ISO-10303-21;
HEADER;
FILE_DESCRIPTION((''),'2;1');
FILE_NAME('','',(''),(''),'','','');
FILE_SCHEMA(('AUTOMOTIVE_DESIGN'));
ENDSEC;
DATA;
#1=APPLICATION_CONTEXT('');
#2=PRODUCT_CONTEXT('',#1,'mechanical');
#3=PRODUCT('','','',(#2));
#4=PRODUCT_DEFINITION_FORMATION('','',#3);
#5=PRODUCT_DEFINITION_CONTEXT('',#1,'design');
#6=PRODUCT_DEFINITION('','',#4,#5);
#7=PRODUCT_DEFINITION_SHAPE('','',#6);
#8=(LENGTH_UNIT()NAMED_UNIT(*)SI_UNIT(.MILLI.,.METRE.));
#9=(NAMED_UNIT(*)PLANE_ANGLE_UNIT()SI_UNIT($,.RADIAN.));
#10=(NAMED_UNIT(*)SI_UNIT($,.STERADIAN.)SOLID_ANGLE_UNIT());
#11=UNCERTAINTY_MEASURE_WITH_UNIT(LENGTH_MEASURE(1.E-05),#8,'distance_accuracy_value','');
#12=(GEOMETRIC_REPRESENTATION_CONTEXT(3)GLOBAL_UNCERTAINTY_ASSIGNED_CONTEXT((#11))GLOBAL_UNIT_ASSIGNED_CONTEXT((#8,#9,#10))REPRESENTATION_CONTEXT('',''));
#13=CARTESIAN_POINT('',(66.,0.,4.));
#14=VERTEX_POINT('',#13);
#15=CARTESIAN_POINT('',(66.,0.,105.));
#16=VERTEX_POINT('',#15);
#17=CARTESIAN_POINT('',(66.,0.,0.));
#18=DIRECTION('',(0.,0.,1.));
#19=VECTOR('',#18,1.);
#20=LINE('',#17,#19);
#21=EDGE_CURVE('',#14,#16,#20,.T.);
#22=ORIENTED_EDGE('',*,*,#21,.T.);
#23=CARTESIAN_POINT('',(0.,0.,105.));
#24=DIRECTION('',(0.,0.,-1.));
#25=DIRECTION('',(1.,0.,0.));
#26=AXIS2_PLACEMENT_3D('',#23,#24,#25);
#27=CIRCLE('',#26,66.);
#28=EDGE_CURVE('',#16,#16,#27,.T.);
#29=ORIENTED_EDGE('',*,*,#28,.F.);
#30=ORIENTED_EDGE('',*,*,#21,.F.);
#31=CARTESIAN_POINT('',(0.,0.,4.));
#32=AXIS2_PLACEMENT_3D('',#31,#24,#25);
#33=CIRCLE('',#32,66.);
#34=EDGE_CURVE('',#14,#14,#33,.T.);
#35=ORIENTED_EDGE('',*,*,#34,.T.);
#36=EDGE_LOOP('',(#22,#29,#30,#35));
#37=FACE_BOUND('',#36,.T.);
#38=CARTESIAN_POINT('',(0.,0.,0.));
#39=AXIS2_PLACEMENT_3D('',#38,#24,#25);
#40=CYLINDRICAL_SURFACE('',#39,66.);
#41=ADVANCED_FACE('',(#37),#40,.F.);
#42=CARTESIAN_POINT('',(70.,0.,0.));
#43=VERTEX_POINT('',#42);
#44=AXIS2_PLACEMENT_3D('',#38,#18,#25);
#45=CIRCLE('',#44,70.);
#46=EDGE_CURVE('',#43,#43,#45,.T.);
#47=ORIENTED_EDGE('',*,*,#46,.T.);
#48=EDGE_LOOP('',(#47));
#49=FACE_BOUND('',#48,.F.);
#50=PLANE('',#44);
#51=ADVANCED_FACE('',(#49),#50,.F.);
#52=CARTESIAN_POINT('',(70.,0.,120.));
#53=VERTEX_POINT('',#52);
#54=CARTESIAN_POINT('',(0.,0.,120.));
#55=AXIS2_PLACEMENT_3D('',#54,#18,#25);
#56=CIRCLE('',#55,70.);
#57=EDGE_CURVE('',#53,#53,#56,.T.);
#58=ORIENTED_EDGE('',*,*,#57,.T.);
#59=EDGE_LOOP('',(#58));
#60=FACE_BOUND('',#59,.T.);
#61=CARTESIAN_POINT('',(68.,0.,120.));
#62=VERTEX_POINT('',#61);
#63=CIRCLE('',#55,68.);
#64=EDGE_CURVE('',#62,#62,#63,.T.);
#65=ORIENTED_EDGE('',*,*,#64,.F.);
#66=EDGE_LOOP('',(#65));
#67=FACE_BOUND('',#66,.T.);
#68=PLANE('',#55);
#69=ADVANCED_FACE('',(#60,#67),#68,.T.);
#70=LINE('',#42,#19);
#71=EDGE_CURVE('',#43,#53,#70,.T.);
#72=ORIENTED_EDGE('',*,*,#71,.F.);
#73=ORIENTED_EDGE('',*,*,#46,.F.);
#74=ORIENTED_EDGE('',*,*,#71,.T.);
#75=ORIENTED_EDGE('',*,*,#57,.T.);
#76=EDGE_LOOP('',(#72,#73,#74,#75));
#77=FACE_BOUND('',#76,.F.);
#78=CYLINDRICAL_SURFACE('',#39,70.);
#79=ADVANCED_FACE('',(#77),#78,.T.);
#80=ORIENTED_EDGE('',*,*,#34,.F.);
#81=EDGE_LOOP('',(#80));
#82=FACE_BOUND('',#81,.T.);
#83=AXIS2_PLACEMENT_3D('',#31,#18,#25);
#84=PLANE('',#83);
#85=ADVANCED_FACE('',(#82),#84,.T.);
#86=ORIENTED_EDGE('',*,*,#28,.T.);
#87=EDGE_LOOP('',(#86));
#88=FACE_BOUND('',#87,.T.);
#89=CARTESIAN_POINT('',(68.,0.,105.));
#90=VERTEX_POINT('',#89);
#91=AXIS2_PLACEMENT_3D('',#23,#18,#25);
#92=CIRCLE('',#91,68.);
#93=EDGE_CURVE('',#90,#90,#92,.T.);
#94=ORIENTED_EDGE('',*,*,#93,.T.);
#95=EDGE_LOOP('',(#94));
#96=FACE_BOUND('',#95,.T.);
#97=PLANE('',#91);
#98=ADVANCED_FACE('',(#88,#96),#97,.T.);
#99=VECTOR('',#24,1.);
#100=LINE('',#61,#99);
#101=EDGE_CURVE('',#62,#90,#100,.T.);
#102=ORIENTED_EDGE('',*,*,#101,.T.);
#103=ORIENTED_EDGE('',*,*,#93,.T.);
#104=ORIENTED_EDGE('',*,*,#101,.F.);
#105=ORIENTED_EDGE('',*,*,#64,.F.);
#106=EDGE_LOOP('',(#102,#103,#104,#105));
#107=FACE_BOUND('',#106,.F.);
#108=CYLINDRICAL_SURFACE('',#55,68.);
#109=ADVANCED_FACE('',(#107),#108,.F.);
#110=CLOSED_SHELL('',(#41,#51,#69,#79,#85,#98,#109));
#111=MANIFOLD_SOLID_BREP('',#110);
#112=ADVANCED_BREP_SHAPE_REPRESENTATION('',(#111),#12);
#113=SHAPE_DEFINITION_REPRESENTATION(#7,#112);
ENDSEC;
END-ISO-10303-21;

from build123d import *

# Parameters (mm, degrees)
F0_R     = 70
F1_DEPTH = 120
F2_T     = -4
F3_R     = 68
F4_DEPTH = 15


with BuildPart() as f1:
    # F0 (on Top) → F1 (new body)
    with BuildSketch(Plane.XY):
        Circle(F0_R)
    extrude(amount=F1_DEPTH)

    # F2
    f2_openings = [f1.faces().sort_by_distance(p)[0] for p in [
        (0, 0, 120),
    ]]
    offset(amount=F2_T, openings=f2_openings)

    # F3 (on face) → F4 (cut)
    with BuildSketch(Plane.XY.offset(120)):
        Circle(F3_R)
    extrude(amount=-F4_DEPTH, mode=Mode.SUBTRACT)


solid = f1.part
